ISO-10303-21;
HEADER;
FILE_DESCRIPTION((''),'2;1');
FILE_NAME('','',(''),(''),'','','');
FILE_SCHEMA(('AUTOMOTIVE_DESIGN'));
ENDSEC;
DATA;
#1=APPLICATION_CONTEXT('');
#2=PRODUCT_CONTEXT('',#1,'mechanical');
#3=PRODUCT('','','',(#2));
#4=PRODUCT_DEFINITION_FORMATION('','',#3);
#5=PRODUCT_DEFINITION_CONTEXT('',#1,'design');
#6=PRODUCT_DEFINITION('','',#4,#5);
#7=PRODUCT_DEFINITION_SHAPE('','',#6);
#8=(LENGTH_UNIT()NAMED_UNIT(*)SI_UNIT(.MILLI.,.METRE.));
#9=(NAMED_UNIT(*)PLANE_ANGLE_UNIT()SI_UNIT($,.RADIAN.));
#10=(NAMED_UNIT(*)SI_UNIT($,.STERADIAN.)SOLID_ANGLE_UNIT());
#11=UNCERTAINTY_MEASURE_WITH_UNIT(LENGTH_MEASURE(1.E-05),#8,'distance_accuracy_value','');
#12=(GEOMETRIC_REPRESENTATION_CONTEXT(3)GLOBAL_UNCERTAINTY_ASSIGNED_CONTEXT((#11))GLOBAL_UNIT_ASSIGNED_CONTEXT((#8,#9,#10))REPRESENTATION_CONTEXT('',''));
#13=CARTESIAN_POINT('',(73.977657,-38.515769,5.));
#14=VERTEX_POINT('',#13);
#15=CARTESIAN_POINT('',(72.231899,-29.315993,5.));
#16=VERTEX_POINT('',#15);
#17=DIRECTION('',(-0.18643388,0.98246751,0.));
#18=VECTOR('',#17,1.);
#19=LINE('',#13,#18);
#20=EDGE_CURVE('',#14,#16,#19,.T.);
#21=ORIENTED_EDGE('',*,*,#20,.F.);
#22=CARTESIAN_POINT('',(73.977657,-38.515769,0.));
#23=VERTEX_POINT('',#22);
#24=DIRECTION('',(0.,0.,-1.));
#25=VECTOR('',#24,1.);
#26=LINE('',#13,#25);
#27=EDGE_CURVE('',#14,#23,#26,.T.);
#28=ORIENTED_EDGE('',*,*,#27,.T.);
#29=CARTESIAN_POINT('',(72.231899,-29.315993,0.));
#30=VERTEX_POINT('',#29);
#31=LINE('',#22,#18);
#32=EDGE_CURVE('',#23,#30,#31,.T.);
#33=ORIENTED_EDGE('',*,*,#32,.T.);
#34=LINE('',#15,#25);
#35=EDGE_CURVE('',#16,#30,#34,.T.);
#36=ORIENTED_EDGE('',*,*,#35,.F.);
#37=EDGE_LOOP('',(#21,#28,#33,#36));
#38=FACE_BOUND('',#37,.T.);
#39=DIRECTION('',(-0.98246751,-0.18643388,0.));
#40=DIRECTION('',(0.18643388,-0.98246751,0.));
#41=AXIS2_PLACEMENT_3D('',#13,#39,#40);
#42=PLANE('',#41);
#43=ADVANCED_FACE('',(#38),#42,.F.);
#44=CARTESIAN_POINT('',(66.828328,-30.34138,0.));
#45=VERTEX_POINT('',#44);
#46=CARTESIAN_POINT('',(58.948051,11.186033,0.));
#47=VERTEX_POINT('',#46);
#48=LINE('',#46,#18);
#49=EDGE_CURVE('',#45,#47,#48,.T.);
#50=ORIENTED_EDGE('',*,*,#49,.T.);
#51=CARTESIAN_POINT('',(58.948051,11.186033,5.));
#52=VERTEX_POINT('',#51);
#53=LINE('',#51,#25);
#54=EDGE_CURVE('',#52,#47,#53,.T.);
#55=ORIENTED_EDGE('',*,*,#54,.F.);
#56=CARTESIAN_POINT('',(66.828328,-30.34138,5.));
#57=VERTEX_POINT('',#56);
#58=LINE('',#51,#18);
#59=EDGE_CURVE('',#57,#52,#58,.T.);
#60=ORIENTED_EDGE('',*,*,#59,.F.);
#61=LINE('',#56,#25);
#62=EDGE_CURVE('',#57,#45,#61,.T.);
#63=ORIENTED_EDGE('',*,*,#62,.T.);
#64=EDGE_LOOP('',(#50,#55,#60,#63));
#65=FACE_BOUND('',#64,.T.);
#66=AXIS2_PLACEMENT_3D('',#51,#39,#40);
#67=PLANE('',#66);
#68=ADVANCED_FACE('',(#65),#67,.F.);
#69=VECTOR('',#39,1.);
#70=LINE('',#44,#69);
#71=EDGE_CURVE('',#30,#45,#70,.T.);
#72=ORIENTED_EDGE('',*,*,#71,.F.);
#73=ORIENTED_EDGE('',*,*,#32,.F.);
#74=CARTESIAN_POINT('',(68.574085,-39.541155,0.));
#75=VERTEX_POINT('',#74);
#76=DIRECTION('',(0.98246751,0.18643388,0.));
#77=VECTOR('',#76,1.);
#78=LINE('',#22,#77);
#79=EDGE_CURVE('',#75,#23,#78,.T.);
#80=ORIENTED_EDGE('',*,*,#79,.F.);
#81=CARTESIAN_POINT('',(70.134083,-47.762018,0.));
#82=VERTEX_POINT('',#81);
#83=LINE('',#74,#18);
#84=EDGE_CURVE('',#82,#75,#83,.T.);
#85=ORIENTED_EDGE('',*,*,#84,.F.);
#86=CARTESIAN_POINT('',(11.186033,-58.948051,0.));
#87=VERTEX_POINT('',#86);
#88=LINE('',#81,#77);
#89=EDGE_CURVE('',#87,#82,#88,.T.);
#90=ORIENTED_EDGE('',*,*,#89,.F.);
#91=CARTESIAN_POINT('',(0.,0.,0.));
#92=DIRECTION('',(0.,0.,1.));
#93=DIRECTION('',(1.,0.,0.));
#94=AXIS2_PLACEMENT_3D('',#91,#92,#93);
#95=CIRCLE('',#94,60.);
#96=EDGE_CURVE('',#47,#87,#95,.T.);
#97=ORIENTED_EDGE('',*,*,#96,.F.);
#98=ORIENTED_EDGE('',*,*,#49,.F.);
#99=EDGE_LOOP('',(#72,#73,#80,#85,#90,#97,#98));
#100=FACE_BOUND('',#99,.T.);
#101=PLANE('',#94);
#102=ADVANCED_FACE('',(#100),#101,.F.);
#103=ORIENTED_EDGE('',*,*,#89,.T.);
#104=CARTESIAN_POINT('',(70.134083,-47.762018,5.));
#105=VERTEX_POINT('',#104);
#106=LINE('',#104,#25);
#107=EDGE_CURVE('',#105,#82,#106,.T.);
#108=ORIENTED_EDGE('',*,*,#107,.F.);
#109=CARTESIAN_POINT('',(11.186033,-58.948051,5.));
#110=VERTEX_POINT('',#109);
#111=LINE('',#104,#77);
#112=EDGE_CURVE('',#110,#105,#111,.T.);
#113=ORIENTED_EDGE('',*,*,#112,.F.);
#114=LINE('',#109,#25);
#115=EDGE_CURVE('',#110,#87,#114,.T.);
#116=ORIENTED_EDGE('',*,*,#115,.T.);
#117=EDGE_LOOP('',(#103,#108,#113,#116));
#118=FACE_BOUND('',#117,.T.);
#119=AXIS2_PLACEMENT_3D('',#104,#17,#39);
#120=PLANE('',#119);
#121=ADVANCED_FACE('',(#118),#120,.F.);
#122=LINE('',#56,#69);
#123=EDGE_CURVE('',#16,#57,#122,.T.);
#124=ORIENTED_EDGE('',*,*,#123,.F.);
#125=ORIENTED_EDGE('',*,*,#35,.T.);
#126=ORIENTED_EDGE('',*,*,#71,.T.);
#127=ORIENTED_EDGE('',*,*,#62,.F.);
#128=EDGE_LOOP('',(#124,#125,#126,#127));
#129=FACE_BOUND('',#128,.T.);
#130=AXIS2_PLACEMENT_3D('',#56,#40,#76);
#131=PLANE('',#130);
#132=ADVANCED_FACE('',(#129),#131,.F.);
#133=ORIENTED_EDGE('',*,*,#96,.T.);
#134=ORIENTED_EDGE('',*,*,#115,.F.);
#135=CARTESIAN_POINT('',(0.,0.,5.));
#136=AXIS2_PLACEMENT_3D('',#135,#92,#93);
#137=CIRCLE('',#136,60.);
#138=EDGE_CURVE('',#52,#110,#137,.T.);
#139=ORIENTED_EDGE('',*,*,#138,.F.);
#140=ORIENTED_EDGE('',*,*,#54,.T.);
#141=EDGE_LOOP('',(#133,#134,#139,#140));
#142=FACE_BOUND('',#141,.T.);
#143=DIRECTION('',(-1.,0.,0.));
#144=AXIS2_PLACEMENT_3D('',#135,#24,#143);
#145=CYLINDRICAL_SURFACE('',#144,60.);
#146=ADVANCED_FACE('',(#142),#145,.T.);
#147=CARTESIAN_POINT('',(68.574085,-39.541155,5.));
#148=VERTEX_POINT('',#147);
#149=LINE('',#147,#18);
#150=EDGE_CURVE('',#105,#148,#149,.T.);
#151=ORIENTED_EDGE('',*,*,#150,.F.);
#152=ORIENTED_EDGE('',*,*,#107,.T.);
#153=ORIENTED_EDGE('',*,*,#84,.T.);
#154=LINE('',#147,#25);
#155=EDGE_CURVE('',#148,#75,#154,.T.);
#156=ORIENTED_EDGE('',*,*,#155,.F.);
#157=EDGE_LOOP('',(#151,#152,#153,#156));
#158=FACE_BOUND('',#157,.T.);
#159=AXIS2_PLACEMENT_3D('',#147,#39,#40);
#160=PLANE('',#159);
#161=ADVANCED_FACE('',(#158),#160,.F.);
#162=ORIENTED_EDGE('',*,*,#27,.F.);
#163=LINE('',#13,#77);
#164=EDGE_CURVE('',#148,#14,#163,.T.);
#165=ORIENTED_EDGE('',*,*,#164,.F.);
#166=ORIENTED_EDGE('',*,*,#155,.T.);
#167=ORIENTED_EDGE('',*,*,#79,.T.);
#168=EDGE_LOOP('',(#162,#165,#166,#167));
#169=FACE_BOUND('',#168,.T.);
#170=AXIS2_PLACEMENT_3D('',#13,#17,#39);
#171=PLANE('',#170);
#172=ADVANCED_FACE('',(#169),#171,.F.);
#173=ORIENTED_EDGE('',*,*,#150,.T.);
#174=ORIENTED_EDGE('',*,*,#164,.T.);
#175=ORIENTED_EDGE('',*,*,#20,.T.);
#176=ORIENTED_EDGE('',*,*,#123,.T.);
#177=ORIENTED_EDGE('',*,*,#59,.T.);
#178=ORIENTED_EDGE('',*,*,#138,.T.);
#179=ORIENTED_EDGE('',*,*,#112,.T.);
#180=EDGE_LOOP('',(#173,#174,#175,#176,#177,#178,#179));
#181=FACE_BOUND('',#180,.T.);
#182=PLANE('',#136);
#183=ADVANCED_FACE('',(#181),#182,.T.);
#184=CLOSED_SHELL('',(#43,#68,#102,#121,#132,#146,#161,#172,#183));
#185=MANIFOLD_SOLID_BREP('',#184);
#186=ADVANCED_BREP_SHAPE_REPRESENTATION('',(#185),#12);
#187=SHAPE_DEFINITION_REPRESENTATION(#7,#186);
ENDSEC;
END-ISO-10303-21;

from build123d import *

# Parameters (mm, degrees)
BOSS_EXTRUDE1_DEPTH = 5


with BuildPart() as part:
    # Sketch1 → Boss-Extrude1 (new body)
    with BuildSketch(Plane.XY):
        with BuildLine():
            Line((58.948050608, 11.186032786), (66.828328123, -30.341379713))
            Line((66.828328123, -30.341379713), (72.231899429, -29.315993374))
            Line((72.231899429, -29.315993374), (73.977656704, -38.515768682))
            Line((73.977656704, -38.515768682), (68.574085398, -39.541155021))
            Line((68.574085398, -39.541155021), (70.134083395, -47.762017822))
            Line((70.134083395, -47.762017822), (11.186032786, -58.948050608))
            ThreePointArc((11.186032786, -58.948050608), (-49.592285961, 33.772846685), (58.948050608, 11.186032786))
        make_face()
    extrude(amount=BOSS_EXTRUDE1_DEPTH)


solid = part.part
